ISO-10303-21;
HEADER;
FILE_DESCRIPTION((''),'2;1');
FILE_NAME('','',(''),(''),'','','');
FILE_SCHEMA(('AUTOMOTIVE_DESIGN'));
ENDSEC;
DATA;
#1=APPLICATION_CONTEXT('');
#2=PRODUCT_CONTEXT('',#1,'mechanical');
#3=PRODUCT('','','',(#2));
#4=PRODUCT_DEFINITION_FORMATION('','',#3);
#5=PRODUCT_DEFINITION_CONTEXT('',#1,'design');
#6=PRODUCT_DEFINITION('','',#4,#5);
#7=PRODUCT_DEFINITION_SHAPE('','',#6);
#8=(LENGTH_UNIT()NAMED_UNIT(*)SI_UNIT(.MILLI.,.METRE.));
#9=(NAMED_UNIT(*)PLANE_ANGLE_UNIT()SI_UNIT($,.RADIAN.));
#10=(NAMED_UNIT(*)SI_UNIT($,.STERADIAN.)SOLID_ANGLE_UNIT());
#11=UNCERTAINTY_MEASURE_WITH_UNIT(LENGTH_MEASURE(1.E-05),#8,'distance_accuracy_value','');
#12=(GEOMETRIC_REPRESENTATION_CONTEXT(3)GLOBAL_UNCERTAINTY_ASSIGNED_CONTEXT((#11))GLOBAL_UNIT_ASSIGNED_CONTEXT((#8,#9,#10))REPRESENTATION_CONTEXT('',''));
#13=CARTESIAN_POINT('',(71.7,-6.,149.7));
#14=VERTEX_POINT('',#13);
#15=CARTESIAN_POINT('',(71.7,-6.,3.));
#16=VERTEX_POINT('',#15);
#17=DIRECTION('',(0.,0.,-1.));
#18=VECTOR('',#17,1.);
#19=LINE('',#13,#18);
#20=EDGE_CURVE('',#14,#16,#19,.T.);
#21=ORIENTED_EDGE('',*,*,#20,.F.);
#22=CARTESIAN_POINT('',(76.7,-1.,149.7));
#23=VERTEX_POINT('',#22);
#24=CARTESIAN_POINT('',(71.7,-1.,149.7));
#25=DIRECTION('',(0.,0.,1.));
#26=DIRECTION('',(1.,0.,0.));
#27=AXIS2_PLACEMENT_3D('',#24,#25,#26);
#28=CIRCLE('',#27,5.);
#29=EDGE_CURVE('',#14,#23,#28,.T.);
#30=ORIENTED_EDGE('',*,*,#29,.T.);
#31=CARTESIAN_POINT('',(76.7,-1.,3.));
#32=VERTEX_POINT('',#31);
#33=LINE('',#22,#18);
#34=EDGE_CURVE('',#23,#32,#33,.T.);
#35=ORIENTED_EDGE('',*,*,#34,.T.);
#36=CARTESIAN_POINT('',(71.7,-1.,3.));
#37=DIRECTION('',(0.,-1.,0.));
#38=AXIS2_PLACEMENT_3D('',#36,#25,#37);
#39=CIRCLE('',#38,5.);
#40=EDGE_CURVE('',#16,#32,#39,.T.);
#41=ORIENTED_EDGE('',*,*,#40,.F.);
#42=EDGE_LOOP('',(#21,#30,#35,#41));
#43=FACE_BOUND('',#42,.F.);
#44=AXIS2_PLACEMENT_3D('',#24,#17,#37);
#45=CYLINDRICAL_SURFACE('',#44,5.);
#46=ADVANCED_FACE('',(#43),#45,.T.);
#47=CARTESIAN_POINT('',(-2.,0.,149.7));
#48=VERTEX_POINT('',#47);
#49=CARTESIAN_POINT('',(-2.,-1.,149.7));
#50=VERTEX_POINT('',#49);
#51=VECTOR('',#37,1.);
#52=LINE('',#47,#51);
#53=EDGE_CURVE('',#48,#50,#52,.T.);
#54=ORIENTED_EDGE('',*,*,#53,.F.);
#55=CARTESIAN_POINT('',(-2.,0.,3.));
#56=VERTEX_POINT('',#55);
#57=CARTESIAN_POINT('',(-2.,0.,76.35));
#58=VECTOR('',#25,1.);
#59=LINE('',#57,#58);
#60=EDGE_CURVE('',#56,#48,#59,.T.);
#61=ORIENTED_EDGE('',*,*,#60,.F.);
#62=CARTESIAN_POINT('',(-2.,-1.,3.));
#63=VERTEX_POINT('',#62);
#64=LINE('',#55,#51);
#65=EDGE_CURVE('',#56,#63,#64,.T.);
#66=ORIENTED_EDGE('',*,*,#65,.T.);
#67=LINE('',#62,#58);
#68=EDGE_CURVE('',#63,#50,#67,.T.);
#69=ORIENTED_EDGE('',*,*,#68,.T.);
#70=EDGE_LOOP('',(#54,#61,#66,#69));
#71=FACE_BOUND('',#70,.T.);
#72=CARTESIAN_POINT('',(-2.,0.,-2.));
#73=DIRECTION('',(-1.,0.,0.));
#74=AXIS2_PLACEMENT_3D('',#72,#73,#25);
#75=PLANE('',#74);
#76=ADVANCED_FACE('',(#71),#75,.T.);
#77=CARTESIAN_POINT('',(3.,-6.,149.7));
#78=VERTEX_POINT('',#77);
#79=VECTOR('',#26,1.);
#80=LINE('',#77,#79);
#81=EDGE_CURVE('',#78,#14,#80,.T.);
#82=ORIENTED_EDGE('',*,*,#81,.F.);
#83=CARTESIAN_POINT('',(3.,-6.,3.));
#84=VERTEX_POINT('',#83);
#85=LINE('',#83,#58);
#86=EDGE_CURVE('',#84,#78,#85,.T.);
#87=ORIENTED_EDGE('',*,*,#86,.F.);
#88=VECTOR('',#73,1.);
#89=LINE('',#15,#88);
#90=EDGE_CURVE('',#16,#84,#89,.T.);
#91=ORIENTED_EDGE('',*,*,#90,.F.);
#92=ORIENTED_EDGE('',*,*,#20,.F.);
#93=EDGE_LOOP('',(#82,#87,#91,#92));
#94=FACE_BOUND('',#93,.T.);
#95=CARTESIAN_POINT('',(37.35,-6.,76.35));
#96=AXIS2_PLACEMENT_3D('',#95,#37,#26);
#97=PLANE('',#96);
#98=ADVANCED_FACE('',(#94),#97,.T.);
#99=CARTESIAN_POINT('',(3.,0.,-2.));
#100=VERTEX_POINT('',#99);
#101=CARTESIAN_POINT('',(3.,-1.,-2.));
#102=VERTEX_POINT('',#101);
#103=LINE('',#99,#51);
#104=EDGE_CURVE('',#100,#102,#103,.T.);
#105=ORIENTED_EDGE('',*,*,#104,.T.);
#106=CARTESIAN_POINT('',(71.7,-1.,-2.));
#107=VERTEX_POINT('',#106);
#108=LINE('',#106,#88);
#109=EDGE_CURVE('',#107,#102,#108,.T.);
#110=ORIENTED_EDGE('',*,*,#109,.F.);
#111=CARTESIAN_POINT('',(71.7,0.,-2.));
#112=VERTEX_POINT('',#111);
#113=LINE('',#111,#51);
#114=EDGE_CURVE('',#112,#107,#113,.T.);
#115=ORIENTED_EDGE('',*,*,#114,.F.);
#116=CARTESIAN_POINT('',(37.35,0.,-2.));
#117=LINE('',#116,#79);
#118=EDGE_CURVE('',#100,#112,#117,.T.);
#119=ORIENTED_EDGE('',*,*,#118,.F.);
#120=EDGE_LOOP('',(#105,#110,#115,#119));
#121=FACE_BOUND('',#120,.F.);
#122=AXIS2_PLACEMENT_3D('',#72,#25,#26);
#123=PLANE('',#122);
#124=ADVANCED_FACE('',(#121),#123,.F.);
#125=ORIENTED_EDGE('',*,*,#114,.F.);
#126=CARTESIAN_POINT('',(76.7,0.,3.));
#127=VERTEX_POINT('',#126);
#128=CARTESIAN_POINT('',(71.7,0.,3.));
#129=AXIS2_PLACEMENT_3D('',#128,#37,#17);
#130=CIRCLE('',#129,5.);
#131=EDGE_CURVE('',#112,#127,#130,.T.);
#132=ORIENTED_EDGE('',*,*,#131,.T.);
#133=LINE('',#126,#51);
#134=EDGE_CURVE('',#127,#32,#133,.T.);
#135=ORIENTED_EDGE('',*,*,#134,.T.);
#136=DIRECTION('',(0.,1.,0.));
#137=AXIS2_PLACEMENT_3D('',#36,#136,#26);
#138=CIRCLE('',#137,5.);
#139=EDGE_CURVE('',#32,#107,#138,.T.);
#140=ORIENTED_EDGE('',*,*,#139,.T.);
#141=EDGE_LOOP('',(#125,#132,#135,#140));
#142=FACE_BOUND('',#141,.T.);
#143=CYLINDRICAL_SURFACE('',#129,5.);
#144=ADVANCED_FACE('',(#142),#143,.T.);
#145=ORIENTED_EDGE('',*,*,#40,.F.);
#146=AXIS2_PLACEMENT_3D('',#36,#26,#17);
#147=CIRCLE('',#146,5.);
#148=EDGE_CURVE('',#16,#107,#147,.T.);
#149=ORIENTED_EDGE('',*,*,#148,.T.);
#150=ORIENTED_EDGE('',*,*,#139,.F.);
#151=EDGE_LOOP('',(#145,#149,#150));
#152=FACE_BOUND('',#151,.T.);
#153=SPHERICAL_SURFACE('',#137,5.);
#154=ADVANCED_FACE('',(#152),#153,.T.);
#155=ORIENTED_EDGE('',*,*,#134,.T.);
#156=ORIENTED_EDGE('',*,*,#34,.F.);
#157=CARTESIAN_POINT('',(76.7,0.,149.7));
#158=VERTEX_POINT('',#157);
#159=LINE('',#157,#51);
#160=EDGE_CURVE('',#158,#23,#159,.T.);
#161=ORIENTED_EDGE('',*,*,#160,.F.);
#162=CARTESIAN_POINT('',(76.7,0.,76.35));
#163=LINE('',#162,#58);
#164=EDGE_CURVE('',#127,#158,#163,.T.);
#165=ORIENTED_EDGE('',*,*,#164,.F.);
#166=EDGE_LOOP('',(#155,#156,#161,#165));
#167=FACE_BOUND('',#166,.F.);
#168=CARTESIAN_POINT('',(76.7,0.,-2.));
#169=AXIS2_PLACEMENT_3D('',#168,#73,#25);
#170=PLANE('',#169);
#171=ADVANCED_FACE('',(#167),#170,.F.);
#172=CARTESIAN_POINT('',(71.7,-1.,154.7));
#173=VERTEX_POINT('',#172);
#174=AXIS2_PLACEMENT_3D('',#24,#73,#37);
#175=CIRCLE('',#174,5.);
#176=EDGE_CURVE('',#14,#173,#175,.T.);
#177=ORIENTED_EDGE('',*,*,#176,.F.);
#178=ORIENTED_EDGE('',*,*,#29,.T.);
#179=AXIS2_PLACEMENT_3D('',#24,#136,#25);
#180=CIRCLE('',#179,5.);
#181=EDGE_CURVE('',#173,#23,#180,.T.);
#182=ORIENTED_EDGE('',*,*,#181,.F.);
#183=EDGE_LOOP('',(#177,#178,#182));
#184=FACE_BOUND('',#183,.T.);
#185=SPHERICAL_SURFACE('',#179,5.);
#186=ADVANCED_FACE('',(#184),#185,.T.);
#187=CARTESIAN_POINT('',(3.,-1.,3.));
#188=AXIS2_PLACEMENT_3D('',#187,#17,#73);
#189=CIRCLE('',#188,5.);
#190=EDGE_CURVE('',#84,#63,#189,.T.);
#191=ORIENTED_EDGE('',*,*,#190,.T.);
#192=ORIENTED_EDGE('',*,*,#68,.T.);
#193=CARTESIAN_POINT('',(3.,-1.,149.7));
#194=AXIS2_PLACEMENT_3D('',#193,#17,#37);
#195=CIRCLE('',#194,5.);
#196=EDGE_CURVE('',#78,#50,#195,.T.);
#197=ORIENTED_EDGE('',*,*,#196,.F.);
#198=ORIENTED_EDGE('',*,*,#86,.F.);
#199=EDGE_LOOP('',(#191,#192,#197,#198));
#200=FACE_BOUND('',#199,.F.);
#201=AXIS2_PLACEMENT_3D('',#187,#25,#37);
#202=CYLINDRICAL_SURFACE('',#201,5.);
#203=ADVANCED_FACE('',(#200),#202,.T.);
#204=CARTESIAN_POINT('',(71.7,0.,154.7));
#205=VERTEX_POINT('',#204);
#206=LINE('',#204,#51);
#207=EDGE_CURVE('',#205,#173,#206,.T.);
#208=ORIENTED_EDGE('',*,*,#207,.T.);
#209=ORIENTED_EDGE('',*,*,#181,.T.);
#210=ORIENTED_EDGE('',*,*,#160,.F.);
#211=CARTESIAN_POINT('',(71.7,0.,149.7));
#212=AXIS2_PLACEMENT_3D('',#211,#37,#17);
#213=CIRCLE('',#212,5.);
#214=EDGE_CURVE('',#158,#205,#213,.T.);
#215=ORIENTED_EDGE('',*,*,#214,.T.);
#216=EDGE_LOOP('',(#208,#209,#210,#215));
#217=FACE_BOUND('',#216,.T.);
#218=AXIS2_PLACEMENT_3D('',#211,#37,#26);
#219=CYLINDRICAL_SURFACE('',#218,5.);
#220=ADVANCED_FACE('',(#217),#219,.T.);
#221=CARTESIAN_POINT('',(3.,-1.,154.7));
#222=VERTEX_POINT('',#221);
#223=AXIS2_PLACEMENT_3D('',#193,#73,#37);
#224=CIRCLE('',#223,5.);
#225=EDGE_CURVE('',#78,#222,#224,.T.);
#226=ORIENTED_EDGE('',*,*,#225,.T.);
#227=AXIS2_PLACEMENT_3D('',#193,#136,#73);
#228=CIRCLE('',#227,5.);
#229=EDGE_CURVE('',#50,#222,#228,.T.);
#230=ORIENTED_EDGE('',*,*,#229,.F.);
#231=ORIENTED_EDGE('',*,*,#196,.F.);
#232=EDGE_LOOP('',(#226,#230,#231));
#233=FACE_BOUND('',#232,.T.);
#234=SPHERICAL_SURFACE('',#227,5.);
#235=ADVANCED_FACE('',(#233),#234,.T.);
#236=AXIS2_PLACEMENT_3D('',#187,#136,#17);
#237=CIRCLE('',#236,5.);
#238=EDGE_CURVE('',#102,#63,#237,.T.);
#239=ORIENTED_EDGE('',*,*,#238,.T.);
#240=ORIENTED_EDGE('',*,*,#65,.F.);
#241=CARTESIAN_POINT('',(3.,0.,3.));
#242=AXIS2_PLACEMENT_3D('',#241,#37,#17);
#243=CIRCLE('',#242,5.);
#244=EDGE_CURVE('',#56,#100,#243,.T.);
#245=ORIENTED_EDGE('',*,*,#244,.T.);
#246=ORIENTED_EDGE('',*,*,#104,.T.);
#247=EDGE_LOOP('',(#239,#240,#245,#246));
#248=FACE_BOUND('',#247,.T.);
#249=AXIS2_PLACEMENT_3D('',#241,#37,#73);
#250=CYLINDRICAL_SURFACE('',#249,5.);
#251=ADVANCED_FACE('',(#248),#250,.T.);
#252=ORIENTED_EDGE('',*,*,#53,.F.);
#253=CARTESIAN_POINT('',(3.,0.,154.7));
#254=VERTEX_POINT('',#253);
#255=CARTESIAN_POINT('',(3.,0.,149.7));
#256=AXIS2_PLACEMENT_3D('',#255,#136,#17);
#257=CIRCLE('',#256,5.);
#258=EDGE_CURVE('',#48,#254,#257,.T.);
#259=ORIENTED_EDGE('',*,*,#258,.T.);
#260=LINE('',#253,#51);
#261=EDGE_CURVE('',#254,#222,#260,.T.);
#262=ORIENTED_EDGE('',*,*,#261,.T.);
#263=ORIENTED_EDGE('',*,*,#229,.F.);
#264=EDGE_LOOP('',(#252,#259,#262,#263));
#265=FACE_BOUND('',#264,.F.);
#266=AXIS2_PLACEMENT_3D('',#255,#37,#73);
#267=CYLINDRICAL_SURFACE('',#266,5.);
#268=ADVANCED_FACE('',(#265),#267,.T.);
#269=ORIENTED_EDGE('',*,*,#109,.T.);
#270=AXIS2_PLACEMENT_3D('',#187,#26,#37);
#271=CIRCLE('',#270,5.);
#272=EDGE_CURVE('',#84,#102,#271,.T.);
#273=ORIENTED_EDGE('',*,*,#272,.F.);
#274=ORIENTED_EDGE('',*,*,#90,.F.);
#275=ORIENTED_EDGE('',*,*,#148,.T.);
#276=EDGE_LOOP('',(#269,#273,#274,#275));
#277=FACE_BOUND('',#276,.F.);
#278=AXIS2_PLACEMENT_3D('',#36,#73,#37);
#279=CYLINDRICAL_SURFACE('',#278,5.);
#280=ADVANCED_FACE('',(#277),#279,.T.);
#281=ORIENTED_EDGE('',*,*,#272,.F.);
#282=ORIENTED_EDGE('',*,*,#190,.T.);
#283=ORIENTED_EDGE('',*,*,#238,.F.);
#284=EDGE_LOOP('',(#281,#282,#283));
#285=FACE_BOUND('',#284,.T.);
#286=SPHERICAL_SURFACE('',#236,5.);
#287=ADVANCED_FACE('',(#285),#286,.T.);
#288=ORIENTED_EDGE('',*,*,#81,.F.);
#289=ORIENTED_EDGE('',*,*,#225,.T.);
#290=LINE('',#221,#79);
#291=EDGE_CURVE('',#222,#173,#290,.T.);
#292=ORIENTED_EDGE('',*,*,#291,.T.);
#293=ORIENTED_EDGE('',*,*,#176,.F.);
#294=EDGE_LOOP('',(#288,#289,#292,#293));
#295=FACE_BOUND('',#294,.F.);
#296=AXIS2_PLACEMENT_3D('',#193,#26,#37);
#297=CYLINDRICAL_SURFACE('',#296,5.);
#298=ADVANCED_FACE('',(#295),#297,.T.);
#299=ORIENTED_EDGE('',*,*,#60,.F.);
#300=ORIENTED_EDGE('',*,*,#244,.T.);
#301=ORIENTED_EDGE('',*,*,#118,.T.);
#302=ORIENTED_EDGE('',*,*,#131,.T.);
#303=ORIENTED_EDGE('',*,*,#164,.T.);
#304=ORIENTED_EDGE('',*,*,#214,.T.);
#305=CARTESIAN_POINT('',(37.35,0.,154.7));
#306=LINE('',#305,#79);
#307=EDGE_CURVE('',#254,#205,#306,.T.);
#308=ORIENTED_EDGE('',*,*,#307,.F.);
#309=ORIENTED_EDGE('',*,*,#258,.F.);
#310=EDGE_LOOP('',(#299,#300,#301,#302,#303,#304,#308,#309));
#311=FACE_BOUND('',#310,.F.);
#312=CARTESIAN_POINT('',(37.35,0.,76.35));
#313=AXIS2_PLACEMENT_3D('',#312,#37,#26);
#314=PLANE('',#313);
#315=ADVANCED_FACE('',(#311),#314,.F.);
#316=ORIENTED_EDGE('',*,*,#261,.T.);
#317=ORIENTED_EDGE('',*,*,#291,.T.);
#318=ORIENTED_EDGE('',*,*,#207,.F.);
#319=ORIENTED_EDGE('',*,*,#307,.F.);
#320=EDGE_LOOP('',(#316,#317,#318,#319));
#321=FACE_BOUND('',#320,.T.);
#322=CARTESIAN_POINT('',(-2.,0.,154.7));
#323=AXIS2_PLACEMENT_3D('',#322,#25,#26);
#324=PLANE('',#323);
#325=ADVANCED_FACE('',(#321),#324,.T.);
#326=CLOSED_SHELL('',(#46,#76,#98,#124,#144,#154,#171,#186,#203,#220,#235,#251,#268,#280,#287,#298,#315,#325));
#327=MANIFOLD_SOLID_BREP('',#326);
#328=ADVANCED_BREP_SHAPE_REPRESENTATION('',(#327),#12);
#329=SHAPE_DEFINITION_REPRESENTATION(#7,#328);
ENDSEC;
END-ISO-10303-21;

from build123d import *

# Parameters (mm, degrees)
F0_W     = 78.7
F0_H     = 156.7
F0_W_2   = 74.7
F0_H_2   = 152.7
F1_DEPTH = 6
F2_R     = 5
F3_R     = 5


with BuildPart() as f1:
    # F0 (on Front) → F1 (new body)
    with BuildSketch(Plane.XZ):
        with Locations((37.35, 76.35)):
            Rectangle(F0_W, F0_H)
        with Locations((37.35, 76.35)):
            Rectangle(F0_W_2, F0_H_2, mode=Mode.SUBTRACT)
        with Locations((37.35, 76.35)):
            Rectangle(F0_W_2, F0_H_2)
    extrude(amount=F1_DEPTH)

    # F2
    f2_edges = [f1.edges().sort_by_distance(p)[0] for p in [
        (-2, -3, -2),
        (76.7, -3, -2),
        (-2, -3, 154.7),
        (76.7, -3, 154.7),
    ]]
    fillet(f2_edges, radius=F2_R)

    # F3
    f3_edges = [f1.edges().sort_by_distance(p)[0] for p in [
        (37.35, -6, 154.7),
        (75.235534, -6, 153.235534),
        (-0.535534, -6, 153.235534),
        (76.7, -6, 76.35),
        (-2, -6, 76.35),
        (75.235534, -6, -0.535534),
        (-0.535534, -6, -0.535534),
        (37.35, -6, -2),
    ]]
    fillet(f3_edges, radius=F3_R)


solid = f1.part
